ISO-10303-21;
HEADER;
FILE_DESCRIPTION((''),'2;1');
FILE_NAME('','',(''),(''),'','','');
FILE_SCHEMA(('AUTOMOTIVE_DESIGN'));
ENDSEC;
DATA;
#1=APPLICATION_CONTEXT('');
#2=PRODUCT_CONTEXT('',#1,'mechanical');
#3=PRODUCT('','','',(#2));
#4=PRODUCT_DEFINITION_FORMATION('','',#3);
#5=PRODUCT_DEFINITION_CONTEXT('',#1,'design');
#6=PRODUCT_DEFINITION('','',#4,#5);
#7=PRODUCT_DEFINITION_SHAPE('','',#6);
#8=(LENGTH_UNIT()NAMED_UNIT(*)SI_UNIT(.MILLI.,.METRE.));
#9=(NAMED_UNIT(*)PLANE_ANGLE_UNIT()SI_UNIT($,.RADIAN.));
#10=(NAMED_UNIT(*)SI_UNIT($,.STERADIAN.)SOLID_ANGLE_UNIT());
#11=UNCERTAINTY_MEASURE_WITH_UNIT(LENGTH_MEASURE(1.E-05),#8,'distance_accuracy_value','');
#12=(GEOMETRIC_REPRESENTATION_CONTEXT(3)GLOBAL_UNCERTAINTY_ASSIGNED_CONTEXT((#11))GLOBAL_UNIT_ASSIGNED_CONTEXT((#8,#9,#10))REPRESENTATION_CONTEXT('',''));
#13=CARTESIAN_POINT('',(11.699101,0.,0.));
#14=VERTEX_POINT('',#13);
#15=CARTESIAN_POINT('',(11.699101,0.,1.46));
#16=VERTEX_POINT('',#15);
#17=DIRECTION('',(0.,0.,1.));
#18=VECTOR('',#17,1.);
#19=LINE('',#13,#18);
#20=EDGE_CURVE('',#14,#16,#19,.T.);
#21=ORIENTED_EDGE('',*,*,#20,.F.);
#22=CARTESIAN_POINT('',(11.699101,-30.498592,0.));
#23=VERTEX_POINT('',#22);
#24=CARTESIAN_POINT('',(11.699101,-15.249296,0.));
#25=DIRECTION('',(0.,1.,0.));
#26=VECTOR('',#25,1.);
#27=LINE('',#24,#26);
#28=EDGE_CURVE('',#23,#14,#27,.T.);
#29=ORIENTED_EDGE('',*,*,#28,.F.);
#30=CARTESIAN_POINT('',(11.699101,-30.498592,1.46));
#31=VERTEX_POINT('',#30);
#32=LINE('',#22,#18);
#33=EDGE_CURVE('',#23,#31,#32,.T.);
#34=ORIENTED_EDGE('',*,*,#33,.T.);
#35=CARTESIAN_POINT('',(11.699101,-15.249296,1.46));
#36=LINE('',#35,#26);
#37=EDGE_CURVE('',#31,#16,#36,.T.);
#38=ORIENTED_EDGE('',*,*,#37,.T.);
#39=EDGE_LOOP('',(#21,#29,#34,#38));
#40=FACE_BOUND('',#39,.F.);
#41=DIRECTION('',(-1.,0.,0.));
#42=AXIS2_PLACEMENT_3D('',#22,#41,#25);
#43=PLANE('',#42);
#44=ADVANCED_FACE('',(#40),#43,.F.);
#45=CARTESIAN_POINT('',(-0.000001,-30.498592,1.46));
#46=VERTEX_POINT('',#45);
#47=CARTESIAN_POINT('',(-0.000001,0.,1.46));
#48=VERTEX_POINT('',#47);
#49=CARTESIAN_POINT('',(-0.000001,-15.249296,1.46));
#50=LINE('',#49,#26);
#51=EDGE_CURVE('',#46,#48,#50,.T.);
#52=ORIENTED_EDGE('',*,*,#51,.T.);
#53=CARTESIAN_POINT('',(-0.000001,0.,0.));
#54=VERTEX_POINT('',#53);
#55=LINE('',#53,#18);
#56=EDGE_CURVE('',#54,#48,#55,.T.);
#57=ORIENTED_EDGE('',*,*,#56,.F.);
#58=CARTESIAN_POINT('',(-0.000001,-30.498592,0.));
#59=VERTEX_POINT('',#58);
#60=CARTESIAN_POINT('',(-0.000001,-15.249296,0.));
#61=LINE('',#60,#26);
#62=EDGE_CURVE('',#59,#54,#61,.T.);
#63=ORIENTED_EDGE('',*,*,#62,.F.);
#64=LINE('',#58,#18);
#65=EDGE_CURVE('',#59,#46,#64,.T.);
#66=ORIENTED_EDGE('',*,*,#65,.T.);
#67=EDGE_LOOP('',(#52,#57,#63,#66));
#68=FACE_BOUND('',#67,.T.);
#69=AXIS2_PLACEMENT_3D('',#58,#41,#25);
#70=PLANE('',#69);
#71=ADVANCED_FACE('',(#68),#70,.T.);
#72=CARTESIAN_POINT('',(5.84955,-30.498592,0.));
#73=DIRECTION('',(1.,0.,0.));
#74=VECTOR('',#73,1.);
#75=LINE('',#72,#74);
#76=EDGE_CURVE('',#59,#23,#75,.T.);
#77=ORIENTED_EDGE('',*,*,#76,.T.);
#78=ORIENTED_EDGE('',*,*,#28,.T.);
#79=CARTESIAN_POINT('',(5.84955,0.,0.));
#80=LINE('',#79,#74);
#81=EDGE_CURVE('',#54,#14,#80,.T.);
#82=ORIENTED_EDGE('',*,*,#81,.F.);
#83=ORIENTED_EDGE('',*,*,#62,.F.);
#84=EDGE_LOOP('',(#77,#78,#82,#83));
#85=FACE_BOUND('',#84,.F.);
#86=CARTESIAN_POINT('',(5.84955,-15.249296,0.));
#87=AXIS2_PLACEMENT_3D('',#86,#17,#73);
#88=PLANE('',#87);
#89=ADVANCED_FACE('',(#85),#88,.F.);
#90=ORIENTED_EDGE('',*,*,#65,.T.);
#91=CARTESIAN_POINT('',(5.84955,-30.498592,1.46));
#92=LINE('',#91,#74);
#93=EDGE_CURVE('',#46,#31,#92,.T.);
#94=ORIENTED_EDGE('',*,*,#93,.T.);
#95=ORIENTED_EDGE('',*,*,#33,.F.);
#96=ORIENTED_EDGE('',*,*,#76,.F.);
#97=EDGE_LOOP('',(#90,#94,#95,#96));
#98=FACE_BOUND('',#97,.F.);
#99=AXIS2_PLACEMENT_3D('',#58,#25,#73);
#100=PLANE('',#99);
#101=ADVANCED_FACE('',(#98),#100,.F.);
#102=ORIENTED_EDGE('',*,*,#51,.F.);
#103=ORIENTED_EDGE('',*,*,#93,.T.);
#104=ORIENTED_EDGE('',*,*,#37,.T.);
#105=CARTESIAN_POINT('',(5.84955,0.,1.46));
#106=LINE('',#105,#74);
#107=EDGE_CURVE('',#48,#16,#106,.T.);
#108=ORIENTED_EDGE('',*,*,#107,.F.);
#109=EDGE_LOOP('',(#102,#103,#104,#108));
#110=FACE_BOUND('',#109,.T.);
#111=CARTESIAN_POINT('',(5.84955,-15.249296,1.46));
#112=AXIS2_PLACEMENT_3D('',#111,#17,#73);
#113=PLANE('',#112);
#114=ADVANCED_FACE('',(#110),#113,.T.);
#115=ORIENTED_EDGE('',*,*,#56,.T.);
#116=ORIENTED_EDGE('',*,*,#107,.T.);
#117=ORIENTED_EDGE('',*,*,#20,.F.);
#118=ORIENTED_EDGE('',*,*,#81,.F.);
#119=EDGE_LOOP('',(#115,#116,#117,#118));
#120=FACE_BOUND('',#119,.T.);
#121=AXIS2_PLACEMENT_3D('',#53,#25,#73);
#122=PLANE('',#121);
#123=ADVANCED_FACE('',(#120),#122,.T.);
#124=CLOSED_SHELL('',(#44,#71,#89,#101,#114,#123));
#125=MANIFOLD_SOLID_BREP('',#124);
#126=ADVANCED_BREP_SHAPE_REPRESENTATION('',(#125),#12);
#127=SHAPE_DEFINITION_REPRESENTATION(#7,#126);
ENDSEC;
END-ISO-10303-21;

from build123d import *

# Parameters (mm, degrees)
SKETCH_W  = 11.699101
SKETCH_H  = 30.498592
PAD_DEPTH = 1.46


with BuildPart() as part:
    # Sketch → Pad (new body)
    with BuildSketch(Plane.XY):
        with Locations((5.84955, -15.249296)):
            Rectangle(SKETCH_W, SKETCH_H)
    extrude(amount=PAD_DEPTH)


solid = part.part
